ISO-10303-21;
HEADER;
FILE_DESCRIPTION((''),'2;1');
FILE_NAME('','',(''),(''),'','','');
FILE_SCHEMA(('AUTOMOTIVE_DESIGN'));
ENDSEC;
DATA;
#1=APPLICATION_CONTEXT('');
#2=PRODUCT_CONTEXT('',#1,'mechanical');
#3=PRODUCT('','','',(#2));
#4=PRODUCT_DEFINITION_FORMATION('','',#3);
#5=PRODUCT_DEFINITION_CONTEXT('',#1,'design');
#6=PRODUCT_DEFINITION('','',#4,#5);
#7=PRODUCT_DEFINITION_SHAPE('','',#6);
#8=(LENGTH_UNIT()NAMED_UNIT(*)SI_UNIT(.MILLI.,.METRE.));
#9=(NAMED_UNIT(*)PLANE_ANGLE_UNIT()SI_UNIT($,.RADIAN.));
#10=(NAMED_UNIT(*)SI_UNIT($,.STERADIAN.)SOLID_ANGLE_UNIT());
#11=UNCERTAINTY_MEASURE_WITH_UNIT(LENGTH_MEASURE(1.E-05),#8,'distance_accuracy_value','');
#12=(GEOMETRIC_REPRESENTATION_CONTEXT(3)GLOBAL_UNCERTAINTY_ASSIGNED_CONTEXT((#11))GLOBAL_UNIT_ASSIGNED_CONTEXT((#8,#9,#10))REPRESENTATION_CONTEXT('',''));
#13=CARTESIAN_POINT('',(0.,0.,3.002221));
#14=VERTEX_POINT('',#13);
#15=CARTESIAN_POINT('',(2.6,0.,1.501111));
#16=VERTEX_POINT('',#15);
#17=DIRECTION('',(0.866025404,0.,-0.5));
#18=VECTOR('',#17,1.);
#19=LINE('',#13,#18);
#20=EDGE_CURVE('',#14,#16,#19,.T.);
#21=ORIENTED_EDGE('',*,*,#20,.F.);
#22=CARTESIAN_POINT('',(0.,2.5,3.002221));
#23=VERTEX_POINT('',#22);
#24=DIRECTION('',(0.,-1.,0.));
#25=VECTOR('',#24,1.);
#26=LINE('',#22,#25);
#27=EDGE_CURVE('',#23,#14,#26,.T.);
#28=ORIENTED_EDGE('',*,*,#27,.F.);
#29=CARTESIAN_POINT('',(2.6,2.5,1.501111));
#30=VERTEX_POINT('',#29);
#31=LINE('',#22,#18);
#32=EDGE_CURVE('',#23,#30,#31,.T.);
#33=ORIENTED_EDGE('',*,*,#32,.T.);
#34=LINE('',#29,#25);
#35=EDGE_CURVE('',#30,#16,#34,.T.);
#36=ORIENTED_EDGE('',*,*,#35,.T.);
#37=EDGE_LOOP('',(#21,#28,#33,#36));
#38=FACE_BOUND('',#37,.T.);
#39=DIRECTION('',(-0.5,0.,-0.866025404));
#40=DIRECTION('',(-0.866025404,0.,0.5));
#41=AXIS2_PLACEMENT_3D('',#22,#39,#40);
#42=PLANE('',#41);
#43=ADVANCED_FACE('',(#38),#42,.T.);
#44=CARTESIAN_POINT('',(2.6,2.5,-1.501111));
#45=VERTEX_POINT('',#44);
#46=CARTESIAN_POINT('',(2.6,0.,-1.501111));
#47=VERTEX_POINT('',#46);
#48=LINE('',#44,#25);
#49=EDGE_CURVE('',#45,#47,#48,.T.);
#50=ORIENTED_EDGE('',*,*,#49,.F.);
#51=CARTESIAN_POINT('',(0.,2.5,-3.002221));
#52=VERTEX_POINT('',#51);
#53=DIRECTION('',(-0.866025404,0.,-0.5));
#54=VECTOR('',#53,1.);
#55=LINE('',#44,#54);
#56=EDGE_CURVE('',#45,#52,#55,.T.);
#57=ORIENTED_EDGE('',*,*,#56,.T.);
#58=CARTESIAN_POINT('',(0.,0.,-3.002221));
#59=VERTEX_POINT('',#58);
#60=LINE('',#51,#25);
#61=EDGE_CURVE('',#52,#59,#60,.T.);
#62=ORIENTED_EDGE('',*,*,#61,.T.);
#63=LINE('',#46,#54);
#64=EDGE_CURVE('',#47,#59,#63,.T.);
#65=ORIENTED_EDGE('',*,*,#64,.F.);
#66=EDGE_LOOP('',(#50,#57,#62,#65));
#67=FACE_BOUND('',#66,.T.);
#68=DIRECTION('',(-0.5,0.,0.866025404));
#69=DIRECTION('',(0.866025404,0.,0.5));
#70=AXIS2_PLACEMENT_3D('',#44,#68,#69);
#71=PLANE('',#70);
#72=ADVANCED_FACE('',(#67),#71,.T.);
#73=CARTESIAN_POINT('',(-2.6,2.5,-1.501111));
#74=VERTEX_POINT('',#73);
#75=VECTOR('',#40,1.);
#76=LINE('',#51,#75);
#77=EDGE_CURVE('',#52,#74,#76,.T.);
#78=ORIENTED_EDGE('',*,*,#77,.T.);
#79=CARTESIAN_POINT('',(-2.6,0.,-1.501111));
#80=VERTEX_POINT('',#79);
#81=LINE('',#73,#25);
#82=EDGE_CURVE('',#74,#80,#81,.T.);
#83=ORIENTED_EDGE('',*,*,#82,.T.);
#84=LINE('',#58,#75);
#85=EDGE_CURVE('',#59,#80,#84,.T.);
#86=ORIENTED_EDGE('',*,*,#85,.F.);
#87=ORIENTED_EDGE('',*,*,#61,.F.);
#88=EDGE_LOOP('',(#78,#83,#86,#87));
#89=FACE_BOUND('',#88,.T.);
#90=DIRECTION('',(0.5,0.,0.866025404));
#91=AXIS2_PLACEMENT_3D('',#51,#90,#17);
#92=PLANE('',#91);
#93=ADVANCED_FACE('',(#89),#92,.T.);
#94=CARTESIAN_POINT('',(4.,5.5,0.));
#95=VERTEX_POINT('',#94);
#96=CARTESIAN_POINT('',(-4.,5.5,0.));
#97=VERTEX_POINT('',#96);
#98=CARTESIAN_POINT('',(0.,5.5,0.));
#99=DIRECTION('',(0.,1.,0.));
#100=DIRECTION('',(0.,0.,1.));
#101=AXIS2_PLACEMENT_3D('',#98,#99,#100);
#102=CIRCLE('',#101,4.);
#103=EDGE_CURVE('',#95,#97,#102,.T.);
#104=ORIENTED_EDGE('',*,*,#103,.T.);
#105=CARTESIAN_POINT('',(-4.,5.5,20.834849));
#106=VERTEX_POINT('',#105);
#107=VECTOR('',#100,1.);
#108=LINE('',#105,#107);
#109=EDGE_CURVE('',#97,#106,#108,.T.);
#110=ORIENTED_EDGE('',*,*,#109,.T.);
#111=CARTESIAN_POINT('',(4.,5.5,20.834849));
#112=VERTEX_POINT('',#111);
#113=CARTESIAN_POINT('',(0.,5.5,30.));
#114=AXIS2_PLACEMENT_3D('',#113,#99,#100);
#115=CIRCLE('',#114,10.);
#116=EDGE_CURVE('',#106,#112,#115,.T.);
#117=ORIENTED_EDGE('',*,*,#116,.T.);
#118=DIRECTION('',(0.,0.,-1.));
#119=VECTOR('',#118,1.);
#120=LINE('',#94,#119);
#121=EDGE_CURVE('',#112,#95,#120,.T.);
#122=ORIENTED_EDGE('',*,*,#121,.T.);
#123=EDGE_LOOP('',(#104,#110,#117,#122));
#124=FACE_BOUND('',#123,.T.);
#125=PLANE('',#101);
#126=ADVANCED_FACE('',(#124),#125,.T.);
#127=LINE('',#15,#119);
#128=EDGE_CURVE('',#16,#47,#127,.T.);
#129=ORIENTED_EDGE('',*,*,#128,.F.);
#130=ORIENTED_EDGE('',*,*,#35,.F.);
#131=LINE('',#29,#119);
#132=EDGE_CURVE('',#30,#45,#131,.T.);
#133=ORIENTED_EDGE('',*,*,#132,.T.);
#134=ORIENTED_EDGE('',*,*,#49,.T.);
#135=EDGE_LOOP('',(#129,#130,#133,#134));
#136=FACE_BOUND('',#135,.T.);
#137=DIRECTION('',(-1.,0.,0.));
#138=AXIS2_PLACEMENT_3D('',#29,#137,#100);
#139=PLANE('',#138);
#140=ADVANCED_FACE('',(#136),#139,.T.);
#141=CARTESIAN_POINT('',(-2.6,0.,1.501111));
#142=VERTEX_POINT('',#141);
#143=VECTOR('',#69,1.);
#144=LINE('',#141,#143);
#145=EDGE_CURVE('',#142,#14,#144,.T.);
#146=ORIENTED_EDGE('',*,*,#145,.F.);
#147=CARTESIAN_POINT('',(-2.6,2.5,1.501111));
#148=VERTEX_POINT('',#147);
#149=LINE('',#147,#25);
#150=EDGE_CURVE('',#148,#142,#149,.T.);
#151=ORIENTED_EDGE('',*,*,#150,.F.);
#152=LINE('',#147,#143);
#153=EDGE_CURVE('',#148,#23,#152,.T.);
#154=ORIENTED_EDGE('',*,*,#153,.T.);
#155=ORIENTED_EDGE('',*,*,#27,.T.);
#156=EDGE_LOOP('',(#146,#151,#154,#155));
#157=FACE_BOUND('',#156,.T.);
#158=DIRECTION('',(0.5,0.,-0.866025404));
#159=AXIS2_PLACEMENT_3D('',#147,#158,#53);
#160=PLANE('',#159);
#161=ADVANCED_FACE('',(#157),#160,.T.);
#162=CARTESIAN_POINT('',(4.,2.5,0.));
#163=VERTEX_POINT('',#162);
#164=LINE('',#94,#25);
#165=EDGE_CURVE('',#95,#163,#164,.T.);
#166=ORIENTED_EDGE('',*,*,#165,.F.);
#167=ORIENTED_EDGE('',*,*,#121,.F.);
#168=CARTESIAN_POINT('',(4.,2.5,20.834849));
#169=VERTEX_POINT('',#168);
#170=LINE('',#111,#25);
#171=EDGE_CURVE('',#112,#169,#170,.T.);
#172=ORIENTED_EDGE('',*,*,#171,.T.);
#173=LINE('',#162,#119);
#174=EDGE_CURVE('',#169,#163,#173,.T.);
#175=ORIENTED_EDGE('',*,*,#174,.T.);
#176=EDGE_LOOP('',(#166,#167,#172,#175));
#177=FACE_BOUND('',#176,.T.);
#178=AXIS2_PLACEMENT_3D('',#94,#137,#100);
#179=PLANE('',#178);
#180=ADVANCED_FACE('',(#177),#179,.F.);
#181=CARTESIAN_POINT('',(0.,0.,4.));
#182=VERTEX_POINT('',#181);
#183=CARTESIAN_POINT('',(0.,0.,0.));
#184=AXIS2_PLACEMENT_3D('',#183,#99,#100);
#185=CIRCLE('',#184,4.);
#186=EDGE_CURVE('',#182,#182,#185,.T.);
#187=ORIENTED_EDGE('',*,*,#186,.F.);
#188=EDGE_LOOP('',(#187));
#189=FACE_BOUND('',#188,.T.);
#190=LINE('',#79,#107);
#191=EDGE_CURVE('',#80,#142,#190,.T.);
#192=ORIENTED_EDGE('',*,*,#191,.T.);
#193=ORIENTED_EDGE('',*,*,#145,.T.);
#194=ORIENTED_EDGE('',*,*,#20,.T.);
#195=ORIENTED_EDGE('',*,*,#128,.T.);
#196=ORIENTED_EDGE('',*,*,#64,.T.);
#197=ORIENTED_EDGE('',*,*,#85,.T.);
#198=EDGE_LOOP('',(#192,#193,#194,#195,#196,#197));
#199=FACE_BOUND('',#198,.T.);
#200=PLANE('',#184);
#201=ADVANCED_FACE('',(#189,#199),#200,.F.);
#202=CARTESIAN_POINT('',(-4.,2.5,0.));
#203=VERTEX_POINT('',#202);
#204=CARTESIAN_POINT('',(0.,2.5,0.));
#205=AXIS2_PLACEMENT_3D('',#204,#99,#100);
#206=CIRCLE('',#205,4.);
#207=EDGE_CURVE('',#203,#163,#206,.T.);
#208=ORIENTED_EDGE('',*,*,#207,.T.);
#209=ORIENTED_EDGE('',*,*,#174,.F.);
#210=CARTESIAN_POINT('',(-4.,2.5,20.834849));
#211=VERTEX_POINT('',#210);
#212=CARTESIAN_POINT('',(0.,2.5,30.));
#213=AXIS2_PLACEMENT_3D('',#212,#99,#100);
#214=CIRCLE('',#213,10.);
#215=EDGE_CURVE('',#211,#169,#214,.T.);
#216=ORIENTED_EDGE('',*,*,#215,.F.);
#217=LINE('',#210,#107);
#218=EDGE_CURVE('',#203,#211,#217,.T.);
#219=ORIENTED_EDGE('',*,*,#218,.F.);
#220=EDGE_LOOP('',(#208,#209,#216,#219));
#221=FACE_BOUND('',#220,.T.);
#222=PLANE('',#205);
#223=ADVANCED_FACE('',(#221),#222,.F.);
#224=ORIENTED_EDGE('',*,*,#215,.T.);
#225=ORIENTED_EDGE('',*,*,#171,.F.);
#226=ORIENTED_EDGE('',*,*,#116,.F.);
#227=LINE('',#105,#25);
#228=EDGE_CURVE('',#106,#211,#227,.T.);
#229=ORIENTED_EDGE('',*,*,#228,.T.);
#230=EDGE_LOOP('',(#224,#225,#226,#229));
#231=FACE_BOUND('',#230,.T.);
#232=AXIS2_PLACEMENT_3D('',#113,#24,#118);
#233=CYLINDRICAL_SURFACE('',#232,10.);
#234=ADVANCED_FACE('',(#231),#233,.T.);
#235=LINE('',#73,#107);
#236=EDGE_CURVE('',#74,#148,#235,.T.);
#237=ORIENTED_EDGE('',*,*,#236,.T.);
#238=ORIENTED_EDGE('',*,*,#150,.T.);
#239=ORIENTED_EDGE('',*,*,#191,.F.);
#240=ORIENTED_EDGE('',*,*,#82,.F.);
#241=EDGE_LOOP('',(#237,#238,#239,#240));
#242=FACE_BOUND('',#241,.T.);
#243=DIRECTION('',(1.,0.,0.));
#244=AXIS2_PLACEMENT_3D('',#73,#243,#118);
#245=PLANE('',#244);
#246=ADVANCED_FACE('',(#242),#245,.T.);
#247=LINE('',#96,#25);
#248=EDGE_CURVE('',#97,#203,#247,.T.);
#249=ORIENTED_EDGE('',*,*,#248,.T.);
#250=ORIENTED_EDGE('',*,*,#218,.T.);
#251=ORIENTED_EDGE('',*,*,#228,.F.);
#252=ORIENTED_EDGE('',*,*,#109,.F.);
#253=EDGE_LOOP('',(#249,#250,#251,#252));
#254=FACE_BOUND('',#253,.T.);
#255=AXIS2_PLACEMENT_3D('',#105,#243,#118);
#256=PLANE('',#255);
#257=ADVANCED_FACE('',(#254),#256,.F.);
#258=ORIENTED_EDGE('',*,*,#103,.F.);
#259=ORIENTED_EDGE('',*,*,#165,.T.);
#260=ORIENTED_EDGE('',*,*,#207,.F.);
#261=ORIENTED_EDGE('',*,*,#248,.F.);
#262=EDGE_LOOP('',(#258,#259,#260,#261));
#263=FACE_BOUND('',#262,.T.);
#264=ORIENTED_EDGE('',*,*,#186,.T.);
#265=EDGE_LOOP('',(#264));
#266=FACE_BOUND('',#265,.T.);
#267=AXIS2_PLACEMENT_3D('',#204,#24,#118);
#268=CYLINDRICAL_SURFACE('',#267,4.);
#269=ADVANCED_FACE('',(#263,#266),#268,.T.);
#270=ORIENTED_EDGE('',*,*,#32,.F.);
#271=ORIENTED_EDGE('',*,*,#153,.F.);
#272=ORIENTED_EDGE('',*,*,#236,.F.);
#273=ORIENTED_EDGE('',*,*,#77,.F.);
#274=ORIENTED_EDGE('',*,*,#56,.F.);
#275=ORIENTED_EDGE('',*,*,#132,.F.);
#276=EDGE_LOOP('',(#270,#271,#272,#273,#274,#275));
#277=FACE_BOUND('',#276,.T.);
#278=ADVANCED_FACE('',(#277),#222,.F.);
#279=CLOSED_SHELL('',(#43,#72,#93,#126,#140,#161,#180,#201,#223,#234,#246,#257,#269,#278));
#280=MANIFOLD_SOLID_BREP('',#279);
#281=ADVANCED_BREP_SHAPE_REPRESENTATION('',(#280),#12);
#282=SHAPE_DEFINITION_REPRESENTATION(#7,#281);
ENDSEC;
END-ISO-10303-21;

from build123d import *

# Parameters (mm, degrees)
SKETCH_1_R      = 4
EXTRUDE_1_DEPTH = 2.5
EXTRUDE_2_DEPTH = 3


with BuildPart() as part:
    # 草图1 → 凸台-拉伸1 (new body)
    with BuildSketch(Plane(origin=(0, 0, 0), x_dir=(1, 0, 0), z_dir=(0, 1, 0))):
        with Locations(Location((0, 0, 0), (0, 0, 270))):
            Circle(SKETCH_1_R)
        Polygon((0, 3.0022214), (-2.6, 1.5011107), (-2.6, -1.5011107), (0, -3.0022214), (2.6, -1.5011107), (2.6, 1.5011107), align=None, mode=Mode.SUBTRACT)
    extrude(amount=EXTRUDE_1_DEPTH)

    # 草图2 → 凸台-拉伸2 (add)
    with BuildSketch(Plane(origin=(0, 2.5, 0), x_dir=(1, 0, 0), z_dir=(0, 1, 0))):
        with BuildLine():
            Line((4, 0), (4, -20.83484861))
            ThreePointArc((4, -20.83484861), (0, -40), (-4, -20.83484861))
            Line((-4, -20.83484861), (-4, 0))
            ThreePointArc((-4, 0), (0, 4), (4, 0))
        make_face()
    extrude(amount=EXTRUDE_2_DEPTH)


solid = part.part
